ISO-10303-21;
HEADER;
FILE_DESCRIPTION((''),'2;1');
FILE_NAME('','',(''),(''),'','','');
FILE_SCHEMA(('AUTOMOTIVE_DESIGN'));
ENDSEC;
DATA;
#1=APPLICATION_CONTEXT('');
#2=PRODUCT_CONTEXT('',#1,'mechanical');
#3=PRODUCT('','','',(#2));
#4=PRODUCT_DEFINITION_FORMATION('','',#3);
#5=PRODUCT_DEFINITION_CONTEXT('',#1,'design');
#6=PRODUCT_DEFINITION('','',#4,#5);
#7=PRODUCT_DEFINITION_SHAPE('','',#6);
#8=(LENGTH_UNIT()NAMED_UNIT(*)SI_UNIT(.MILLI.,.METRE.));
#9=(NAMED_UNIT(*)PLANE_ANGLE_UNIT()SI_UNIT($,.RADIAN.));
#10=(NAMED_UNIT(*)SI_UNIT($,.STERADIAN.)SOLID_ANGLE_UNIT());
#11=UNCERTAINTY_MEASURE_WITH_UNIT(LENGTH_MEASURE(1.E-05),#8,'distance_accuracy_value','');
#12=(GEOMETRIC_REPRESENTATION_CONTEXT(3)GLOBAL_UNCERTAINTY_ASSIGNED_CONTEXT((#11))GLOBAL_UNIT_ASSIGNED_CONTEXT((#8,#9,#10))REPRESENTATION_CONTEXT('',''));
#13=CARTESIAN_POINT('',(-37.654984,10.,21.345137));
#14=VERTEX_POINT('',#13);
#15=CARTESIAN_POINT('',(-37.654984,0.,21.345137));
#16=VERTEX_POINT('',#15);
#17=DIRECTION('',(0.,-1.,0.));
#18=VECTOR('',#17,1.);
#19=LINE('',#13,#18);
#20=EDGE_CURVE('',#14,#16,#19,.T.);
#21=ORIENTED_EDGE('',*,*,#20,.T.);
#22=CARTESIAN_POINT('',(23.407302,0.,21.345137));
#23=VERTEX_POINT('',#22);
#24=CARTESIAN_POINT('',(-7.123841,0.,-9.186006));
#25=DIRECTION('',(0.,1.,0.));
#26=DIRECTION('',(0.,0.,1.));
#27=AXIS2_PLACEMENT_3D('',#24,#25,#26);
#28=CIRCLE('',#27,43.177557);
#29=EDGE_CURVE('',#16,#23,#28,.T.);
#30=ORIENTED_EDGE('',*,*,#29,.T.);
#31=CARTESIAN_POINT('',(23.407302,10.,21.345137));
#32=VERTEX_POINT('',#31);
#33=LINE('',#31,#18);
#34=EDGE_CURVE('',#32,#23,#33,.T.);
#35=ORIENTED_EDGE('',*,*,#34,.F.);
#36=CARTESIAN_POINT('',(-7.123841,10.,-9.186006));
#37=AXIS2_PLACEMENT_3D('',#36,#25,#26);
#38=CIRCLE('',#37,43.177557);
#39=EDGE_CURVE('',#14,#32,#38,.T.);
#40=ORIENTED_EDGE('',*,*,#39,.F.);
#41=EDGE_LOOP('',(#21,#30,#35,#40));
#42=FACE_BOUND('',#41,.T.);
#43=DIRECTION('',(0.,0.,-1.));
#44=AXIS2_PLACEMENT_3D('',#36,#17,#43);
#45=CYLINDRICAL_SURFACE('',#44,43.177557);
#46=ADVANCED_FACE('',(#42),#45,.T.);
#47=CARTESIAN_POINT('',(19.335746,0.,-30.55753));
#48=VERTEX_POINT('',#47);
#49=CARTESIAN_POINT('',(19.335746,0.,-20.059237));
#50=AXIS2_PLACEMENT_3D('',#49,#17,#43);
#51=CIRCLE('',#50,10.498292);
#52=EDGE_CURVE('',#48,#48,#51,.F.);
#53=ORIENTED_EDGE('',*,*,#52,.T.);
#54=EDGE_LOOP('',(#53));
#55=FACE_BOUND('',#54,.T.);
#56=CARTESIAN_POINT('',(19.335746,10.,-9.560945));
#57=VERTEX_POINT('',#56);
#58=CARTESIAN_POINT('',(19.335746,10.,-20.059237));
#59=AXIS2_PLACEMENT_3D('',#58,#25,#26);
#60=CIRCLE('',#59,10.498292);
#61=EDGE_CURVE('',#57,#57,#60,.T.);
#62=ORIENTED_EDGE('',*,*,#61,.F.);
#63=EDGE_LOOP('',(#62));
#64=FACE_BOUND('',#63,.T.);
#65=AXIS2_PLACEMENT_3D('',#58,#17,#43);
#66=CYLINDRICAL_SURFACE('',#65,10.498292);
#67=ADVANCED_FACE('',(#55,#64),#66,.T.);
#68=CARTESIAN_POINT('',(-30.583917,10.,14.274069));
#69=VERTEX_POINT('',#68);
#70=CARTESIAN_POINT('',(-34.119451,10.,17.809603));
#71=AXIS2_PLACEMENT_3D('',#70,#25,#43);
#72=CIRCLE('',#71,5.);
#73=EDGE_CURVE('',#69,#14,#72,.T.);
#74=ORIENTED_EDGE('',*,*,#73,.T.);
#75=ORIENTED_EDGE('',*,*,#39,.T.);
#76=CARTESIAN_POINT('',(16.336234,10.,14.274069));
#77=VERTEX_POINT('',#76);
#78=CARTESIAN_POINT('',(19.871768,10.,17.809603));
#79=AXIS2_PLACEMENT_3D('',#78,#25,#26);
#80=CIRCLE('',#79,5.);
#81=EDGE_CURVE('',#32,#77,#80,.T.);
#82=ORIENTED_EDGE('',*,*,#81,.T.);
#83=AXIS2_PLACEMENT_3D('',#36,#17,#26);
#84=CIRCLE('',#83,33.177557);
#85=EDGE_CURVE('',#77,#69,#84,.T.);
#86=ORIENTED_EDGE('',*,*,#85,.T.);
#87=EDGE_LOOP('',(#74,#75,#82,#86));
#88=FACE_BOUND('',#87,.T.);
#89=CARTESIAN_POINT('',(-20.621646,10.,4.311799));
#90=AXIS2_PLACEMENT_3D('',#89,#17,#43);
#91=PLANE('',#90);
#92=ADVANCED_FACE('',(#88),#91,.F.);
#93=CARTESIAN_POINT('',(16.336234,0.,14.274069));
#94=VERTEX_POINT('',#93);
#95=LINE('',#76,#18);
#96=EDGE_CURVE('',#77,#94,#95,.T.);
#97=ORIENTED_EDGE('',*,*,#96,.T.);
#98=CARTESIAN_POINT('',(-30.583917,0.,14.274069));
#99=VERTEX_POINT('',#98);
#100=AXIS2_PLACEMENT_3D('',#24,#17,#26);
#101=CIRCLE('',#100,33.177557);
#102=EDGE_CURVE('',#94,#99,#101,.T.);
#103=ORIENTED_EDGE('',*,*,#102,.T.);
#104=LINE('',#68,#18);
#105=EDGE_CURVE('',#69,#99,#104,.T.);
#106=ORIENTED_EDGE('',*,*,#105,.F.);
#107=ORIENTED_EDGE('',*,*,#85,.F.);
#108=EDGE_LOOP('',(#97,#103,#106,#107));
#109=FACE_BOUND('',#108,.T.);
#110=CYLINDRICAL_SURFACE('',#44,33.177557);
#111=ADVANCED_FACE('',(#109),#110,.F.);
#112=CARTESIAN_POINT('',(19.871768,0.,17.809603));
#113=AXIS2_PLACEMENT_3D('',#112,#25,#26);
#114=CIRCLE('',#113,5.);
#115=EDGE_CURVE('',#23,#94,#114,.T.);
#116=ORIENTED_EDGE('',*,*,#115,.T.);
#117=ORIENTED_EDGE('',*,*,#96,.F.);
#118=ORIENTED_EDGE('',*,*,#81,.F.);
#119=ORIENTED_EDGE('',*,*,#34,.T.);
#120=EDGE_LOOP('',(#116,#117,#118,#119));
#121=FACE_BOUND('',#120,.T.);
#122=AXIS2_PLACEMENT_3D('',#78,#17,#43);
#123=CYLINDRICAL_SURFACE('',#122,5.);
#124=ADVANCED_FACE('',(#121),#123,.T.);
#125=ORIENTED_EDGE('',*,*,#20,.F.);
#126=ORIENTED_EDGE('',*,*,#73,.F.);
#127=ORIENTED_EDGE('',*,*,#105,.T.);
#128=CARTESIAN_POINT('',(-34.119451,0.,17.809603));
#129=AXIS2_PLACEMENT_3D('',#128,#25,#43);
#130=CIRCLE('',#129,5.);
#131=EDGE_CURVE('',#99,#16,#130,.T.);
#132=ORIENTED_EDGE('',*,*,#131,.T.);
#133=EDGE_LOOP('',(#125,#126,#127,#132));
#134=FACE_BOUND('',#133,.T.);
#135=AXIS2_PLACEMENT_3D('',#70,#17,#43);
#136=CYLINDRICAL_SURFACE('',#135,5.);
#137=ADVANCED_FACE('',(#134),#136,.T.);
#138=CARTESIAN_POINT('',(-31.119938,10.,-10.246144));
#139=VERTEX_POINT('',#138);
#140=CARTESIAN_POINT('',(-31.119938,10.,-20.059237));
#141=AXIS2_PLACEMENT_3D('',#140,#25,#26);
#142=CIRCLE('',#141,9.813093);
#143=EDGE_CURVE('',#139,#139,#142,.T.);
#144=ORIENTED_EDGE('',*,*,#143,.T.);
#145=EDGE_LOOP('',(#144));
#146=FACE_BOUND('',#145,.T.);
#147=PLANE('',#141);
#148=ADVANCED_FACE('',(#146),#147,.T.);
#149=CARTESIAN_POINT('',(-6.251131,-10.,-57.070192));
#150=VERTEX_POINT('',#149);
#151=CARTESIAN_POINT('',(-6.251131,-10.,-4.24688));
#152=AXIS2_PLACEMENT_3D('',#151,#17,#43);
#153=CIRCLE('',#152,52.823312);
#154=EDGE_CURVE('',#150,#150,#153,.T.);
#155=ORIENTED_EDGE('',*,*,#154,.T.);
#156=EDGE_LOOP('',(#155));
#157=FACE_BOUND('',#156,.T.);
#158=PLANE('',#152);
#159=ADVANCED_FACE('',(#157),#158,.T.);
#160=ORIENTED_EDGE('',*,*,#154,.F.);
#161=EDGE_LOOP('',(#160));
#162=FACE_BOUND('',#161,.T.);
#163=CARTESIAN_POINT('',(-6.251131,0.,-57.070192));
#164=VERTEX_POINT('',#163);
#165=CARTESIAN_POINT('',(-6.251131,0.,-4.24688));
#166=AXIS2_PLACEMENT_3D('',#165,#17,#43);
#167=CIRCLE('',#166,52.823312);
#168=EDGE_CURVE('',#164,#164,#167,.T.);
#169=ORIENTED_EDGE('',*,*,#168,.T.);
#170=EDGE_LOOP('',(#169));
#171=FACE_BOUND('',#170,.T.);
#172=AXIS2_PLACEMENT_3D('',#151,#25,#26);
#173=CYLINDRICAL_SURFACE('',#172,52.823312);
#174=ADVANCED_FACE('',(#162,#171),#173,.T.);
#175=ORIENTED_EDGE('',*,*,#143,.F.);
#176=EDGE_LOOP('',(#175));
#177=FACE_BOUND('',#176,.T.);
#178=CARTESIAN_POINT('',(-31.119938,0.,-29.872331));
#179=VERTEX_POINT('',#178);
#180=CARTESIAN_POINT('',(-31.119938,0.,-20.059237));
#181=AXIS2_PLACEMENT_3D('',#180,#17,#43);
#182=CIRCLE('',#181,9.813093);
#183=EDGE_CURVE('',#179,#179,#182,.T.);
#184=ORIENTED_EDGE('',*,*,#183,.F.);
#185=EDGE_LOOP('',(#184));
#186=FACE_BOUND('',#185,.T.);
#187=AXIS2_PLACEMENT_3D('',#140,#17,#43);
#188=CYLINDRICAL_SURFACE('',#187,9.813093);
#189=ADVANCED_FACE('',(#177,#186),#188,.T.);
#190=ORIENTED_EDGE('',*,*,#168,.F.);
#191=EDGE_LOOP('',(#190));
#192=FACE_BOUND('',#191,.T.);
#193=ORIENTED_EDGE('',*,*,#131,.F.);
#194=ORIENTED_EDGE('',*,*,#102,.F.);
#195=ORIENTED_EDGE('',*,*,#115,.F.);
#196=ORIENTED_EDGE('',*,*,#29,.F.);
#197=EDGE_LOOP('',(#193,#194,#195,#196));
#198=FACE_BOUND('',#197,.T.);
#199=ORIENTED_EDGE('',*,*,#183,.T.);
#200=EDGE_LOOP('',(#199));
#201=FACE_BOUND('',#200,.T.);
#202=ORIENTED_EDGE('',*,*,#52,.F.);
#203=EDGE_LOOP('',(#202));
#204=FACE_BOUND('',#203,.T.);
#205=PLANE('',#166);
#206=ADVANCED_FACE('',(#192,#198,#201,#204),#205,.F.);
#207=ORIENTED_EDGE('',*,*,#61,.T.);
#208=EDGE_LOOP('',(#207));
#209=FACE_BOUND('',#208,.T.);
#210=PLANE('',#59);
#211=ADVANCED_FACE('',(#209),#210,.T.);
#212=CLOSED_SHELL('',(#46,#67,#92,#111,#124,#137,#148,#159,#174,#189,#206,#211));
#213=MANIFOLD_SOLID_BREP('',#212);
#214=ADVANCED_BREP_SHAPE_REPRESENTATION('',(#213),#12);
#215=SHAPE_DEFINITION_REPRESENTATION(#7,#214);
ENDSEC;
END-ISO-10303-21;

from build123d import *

# Parameters (mm, degrees)
SKETCH1_R             = 9.813093158
BOSS_EXTRUDE1_DEPTH   = 10
SKETCH1_R_2           = 10.498292465
BOSS_EXTRUDE1_2_DEPTH = 10
BOSS_EXTRUDE1_3_DEPTH = 10
SKETCH2_R             = 52.823312211
BOSS_EXTRUDE2_DEPTH   = 10


with BuildPart() as part:
    # Sketch1 → Boss-Extrude1 (new body)
    with BuildSketch(Plane(origin=(0, 0, 0), x_dir=(1, 0, 0), z_dir=(0, 1, 0))):
        with Locations(Location((-31.119938379, 20.059237389, 0), (0, 0, 270))):
            Circle(SKETCH1_R)
    extrude(amount=BOSS_EXTRUDE1_DEPTH)



with BuildPart() as body_2:
    # Sketch1 → Boss-Extrude1 2 (new body)
    with BuildSketch(Plane(origin=(0, 0, 0), x_dir=(1, 0, 0), z_dir=(0, 1, 0))):
        with Locations(Location((19.335746107, 20.059237389, 0), (0, 0, 270))):
            Circle(SKETCH1_R_2)
    extrude(amount=BOSS_EXTRUDE1_2_DEPTH)


with BuildPart() as body_3:
    # Sketch1 → Boss-Extrude1 3 (new body)
    with BuildSketch(Plane(origin=(0, 0, 0), x_dir=(1, 0, 0), z_dir=(0, 1, 0))):
        with BuildLine():
            ThreePointArc((-37.654984417, -21.345137195), (-7.123841316, -33.991550742), (23.407301786, -21.345137195))
            ThreePointArc((23.407301786, -21.345137195), (23.407301786, -14.274069383), (16.336233974, -14.274069383))
            ThreePointArc((16.336233974, -14.274069383), (-7.123841316, -23.991550742), (-30.583916606, -14.274069383))
            ThreePointArc((-30.583916606, -14.274069383), (-37.654984417, -14.274069383), (-37.654984417, -21.345137195))
        make_face()
    extrude(amount=BOSS_EXTRUDE1_3_DEPTH)


with BuildPart() as part_1:
    add(part.part)

    add(body_2.part)  # Boss-Extrude2 merges body 2

    add(body_3.part)  # Boss-Extrude2 merges body 3
    # Sketch2 → Boss-Extrude2 (add)
    with BuildSketch(Plane.XZ):
        with Locations(Location((-6.251130616, -4.246879691, 0), (0, 0, 270))):
            Circle(SKETCH2_R)
    extrude(amount=BOSS_EXTRUDE2_DEPTH)


solid = part_1.part
